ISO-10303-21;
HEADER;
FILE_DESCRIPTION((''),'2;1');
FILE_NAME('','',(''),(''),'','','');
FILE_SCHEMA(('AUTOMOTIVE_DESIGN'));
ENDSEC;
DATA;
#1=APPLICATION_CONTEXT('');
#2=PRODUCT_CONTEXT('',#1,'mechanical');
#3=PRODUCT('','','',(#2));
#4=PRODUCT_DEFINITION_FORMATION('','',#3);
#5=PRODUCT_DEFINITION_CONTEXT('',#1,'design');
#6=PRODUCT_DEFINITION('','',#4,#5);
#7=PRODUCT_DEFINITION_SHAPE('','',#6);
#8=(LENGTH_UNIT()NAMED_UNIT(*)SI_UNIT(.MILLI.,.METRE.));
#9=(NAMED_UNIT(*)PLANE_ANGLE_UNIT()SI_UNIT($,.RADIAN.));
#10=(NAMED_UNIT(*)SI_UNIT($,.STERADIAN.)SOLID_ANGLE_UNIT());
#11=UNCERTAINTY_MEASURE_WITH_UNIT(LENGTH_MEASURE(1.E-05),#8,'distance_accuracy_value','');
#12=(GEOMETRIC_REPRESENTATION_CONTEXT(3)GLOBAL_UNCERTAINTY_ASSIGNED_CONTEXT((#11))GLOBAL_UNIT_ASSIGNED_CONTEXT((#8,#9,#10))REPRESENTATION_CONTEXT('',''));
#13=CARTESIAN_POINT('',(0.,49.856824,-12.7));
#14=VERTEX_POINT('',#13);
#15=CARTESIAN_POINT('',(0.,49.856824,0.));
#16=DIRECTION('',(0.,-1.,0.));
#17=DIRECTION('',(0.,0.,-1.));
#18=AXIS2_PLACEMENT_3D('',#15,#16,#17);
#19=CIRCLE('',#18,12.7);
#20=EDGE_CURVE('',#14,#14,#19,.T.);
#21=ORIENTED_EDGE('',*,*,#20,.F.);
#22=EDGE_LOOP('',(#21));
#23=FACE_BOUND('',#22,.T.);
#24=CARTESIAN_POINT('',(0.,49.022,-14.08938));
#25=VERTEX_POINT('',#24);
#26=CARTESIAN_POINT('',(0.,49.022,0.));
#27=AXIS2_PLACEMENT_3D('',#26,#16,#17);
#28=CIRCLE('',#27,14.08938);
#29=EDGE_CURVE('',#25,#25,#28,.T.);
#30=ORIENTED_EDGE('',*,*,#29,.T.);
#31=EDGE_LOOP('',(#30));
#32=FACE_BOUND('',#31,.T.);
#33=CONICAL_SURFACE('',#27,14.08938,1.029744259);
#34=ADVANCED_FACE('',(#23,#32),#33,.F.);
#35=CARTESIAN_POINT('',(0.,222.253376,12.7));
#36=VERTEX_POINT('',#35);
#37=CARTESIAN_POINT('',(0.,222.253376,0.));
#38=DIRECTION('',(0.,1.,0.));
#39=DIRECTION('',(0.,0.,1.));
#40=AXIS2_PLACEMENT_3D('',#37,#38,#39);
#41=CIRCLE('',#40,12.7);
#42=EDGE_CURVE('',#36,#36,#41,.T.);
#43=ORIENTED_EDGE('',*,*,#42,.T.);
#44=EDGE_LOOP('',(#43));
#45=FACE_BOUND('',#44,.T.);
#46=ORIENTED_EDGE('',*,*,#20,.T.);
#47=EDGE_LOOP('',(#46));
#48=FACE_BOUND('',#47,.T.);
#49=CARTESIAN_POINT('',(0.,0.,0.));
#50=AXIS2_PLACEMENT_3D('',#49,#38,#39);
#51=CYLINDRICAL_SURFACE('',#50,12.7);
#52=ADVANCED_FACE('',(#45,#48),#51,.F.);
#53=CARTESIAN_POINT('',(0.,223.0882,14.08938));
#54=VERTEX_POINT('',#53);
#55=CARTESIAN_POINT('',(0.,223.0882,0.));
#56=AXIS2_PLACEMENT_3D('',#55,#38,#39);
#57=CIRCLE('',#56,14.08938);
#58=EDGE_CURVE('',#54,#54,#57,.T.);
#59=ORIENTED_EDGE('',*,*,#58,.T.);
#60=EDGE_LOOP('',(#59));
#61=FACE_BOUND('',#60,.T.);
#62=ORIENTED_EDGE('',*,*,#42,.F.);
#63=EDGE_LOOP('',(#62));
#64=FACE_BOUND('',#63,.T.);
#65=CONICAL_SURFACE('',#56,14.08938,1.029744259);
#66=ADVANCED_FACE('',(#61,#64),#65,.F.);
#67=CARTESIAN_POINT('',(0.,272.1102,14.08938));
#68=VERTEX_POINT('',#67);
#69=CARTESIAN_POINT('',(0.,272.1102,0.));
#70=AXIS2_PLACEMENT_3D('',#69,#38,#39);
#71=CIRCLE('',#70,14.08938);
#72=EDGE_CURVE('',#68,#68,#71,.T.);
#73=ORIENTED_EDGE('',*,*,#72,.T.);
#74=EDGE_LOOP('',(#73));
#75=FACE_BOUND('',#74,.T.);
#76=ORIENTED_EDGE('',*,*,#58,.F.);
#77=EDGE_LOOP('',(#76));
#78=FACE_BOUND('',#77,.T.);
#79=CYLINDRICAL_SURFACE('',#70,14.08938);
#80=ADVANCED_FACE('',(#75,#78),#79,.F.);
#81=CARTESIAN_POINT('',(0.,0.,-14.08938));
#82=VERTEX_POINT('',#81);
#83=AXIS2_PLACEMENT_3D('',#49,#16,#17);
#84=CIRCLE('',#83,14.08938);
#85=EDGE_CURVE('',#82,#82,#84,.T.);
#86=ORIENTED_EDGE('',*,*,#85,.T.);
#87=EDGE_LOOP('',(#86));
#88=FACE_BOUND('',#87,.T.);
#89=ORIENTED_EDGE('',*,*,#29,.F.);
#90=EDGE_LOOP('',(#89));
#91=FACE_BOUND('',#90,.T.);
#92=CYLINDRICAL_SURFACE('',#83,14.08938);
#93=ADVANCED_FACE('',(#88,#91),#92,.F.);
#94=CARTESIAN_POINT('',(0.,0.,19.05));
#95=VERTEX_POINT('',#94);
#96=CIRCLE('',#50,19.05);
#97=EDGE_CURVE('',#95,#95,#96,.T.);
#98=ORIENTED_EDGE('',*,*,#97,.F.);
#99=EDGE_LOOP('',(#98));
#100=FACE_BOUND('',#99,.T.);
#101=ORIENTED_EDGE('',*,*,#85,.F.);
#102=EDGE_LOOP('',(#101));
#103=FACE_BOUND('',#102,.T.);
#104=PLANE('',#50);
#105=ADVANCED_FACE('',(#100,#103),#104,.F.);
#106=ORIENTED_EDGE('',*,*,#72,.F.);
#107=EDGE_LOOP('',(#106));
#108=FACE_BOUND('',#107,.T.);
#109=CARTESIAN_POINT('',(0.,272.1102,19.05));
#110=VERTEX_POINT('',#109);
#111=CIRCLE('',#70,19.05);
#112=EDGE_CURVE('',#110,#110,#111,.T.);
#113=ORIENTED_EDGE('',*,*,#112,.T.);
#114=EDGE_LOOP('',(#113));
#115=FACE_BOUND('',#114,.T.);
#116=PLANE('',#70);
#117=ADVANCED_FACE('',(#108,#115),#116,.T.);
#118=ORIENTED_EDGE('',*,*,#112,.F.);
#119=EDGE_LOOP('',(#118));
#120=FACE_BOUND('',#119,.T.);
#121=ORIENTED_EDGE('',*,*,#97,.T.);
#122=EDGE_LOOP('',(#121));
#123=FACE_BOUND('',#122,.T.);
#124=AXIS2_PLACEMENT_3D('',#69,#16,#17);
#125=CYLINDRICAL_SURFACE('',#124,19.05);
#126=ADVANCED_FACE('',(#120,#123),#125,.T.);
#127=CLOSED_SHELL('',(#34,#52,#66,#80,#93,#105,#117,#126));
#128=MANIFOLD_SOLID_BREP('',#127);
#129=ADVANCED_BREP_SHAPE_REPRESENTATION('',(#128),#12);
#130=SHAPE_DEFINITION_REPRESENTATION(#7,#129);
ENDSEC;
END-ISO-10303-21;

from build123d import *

# Parameters (mm, degrees)
SKETCH1_R                    = 19.05
BOSS_EXTRUDE1_DEPTH          = 272.1102
SKETCH2_R                    = 12.7
CUT_EXTRUDE1_DEPTH           = 273.1102
F_1_1_4_7_TAPPED_HOLE1_D     = 28.17876
F_1_1_4_7_TAPPED_HOLE1_DEPTH = 49.022
F_1_1_4_7_TAPPED_HOLE1_TIP   = 8.465753589
F_1_1_4_7_TAPPED_HOLE2_D     = 28.17876
F_1_1_4_7_TAPPED_HOLE2_DEPTH = 49.022
F_1_1_4_7_TAPPED_HOLE2_TIP   = 8.465753589


with BuildPart() as part:
    # Sketch1 → Boss-Extrude1 (new body)
    with BuildSketch(Plane(origin=(0, 0, 0), x_dir=(1, 0, 0), z_dir=(0, 1, 0))):
        Circle(SKETCH1_R)
    extrude(amount=BOSS_EXTRUDE1_DEPTH)

    # Sketch2 → Cut-Extrude1 (cut, through all)
    with BuildSketch(Plane(origin=(0, 272.1102, 0), x_dir=(1, 0, 0), z_dir=(0, 1, 0))):
        Circle(SKETCH2_R)
    extrude(amount=-CUT_EXTRUDE1_DEPTH, mode=Mode.SUBTRACT)

    # 1-1/4-7 Tapped Hole1
    with Locations(Plane(origin=(0, 272.1102, 0), x_dir=(1, 0, 0), z_dir=(0, 1, 0))):
        with Locations((0, 0)):
            Hole(F_1_1_4_7_TAPPED_HOLE1_D / 2, depth=F_1_1_4_7_TAPPED_HOLE1_DEPTH)
            with Locations((0, 0, -(F_1_1_4_7_TAPPED_HOLE1_DEPTH + F_1_1_4_7_TAPPED_HOLE1_TIP / 2))):  # 118° drill point
                Cone(0, F_1_1_4_7_TAPPED_HOLE1_D / 2, F_1_1_4_7_TAPPED_HOLE1_TIP, mode=Mode.SUBTRACT)

    # 1-1/4-7 Tapped Hole2
    with Locations(Plane(origin=(0, 0, 0), x_dir=(-1, 0, 0), z_dir=(0, -1, 0))):
        with Locations((0, 0)):
            Hole(F_1_1_4_7_TAPPED_HOLE2_D / 2, depth=F_1_1_4_7_TAPPED_HOLE2_DEPTH)
            with Locations((0, 0, -(F_1_1_4_7_TAPPED_HOLE2_DEPTH + F_1_1_4_7_TAPPED_HOLE2_TIP / 2))):  # 118° drill point
                Cone(0, F_1_1_4_7_TAPPED_HOLE2_D / 2, F_1_1_4_7_TAPPED_HOLE2_TIP, mode=Mode.SUBTRACT)


solid = part.part
